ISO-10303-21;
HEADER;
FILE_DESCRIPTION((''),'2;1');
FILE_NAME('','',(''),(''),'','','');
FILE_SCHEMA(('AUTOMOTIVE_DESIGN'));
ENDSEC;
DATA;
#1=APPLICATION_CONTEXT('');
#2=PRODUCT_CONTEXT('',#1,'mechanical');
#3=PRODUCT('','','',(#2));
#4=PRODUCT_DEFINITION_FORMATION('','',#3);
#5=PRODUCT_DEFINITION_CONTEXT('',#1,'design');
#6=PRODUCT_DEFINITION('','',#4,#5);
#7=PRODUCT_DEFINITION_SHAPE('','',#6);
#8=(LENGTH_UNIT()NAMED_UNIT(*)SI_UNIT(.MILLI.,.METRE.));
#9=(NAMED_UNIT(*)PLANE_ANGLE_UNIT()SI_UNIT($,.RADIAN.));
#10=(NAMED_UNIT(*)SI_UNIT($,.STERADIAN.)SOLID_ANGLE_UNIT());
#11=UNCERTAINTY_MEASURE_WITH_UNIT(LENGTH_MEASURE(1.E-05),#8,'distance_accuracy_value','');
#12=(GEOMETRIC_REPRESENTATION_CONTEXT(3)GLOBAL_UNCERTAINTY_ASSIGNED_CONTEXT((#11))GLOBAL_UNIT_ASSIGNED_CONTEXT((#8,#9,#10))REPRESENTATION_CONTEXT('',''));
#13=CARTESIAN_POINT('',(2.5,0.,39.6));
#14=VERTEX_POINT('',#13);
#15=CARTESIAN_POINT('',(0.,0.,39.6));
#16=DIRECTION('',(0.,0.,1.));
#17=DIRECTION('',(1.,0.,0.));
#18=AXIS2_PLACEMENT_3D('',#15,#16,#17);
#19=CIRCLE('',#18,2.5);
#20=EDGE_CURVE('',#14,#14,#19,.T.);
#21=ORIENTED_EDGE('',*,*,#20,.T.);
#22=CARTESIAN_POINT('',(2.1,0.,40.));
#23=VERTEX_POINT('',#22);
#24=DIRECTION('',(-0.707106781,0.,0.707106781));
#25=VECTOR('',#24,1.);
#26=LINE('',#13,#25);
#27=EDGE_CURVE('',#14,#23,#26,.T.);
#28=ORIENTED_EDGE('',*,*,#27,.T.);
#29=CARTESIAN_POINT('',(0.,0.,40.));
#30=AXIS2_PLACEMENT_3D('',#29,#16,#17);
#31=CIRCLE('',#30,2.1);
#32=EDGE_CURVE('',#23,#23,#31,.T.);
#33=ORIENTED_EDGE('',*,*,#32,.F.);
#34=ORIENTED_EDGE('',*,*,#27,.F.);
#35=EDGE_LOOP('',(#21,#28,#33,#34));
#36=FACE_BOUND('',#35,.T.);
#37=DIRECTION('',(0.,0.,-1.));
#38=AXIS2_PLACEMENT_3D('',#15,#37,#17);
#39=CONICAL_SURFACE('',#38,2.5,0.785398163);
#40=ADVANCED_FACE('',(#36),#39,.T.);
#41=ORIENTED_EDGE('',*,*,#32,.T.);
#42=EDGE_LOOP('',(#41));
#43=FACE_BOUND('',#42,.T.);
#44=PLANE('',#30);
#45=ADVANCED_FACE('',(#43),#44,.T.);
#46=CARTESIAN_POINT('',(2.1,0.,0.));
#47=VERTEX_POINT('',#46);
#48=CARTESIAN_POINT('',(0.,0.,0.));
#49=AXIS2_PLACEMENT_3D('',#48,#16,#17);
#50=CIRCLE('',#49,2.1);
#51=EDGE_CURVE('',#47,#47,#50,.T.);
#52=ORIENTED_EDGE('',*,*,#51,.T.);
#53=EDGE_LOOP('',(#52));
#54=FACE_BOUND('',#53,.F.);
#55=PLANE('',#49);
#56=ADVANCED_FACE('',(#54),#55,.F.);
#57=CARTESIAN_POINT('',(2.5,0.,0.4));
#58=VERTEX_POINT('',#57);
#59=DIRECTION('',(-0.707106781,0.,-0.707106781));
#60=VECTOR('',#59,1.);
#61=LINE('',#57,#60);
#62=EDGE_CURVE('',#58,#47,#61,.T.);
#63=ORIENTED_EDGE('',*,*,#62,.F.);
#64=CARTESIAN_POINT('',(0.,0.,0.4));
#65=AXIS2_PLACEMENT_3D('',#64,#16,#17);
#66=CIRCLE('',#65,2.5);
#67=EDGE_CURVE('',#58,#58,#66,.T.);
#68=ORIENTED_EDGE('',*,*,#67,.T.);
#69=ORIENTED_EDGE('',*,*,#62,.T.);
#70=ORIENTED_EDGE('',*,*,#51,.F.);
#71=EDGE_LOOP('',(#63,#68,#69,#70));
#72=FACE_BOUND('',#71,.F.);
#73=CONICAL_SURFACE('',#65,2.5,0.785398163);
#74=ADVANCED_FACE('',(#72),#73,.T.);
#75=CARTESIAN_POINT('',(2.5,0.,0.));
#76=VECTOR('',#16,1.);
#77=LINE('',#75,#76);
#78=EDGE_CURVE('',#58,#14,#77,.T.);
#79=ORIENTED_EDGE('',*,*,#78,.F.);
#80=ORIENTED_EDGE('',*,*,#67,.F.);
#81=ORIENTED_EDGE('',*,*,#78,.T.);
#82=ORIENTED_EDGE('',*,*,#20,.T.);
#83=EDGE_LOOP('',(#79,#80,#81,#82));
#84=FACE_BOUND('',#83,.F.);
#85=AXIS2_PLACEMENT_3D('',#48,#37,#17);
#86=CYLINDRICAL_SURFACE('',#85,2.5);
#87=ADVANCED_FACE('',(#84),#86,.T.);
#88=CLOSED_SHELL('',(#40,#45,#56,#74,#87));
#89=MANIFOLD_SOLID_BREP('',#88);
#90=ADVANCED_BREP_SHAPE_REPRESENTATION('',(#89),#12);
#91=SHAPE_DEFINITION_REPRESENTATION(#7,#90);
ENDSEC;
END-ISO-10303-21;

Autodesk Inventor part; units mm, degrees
ref_plane "YZ Plane" through (0, 0, 0) normal (1, 0, 0) x (0, 1, 0)
ref_plane "XZ Plane" through (0, 0, 0) normal (0, 1, 0) x (-1, 0, 0)
ref_plane "XY Plane" through (0, 0, 0) normal (0, 0, 1) x (1, 0, 0)
sketch "Skizze1" plane through (0, 0, 0) normal (0, 0, 1) x (1, 0, 0)
  circle A0 centre (0, 0) radius 2.5
  dimension "d0" = 5
extrude "Extrusion1" add sketch "Skizze1" along normal blind 40
chamfer "Fase1" distance 0.4 angle 45 2 edges at (-2.5, 0, 40) (-2.5, 0, 0)
properties part number "Pin 5x40"
